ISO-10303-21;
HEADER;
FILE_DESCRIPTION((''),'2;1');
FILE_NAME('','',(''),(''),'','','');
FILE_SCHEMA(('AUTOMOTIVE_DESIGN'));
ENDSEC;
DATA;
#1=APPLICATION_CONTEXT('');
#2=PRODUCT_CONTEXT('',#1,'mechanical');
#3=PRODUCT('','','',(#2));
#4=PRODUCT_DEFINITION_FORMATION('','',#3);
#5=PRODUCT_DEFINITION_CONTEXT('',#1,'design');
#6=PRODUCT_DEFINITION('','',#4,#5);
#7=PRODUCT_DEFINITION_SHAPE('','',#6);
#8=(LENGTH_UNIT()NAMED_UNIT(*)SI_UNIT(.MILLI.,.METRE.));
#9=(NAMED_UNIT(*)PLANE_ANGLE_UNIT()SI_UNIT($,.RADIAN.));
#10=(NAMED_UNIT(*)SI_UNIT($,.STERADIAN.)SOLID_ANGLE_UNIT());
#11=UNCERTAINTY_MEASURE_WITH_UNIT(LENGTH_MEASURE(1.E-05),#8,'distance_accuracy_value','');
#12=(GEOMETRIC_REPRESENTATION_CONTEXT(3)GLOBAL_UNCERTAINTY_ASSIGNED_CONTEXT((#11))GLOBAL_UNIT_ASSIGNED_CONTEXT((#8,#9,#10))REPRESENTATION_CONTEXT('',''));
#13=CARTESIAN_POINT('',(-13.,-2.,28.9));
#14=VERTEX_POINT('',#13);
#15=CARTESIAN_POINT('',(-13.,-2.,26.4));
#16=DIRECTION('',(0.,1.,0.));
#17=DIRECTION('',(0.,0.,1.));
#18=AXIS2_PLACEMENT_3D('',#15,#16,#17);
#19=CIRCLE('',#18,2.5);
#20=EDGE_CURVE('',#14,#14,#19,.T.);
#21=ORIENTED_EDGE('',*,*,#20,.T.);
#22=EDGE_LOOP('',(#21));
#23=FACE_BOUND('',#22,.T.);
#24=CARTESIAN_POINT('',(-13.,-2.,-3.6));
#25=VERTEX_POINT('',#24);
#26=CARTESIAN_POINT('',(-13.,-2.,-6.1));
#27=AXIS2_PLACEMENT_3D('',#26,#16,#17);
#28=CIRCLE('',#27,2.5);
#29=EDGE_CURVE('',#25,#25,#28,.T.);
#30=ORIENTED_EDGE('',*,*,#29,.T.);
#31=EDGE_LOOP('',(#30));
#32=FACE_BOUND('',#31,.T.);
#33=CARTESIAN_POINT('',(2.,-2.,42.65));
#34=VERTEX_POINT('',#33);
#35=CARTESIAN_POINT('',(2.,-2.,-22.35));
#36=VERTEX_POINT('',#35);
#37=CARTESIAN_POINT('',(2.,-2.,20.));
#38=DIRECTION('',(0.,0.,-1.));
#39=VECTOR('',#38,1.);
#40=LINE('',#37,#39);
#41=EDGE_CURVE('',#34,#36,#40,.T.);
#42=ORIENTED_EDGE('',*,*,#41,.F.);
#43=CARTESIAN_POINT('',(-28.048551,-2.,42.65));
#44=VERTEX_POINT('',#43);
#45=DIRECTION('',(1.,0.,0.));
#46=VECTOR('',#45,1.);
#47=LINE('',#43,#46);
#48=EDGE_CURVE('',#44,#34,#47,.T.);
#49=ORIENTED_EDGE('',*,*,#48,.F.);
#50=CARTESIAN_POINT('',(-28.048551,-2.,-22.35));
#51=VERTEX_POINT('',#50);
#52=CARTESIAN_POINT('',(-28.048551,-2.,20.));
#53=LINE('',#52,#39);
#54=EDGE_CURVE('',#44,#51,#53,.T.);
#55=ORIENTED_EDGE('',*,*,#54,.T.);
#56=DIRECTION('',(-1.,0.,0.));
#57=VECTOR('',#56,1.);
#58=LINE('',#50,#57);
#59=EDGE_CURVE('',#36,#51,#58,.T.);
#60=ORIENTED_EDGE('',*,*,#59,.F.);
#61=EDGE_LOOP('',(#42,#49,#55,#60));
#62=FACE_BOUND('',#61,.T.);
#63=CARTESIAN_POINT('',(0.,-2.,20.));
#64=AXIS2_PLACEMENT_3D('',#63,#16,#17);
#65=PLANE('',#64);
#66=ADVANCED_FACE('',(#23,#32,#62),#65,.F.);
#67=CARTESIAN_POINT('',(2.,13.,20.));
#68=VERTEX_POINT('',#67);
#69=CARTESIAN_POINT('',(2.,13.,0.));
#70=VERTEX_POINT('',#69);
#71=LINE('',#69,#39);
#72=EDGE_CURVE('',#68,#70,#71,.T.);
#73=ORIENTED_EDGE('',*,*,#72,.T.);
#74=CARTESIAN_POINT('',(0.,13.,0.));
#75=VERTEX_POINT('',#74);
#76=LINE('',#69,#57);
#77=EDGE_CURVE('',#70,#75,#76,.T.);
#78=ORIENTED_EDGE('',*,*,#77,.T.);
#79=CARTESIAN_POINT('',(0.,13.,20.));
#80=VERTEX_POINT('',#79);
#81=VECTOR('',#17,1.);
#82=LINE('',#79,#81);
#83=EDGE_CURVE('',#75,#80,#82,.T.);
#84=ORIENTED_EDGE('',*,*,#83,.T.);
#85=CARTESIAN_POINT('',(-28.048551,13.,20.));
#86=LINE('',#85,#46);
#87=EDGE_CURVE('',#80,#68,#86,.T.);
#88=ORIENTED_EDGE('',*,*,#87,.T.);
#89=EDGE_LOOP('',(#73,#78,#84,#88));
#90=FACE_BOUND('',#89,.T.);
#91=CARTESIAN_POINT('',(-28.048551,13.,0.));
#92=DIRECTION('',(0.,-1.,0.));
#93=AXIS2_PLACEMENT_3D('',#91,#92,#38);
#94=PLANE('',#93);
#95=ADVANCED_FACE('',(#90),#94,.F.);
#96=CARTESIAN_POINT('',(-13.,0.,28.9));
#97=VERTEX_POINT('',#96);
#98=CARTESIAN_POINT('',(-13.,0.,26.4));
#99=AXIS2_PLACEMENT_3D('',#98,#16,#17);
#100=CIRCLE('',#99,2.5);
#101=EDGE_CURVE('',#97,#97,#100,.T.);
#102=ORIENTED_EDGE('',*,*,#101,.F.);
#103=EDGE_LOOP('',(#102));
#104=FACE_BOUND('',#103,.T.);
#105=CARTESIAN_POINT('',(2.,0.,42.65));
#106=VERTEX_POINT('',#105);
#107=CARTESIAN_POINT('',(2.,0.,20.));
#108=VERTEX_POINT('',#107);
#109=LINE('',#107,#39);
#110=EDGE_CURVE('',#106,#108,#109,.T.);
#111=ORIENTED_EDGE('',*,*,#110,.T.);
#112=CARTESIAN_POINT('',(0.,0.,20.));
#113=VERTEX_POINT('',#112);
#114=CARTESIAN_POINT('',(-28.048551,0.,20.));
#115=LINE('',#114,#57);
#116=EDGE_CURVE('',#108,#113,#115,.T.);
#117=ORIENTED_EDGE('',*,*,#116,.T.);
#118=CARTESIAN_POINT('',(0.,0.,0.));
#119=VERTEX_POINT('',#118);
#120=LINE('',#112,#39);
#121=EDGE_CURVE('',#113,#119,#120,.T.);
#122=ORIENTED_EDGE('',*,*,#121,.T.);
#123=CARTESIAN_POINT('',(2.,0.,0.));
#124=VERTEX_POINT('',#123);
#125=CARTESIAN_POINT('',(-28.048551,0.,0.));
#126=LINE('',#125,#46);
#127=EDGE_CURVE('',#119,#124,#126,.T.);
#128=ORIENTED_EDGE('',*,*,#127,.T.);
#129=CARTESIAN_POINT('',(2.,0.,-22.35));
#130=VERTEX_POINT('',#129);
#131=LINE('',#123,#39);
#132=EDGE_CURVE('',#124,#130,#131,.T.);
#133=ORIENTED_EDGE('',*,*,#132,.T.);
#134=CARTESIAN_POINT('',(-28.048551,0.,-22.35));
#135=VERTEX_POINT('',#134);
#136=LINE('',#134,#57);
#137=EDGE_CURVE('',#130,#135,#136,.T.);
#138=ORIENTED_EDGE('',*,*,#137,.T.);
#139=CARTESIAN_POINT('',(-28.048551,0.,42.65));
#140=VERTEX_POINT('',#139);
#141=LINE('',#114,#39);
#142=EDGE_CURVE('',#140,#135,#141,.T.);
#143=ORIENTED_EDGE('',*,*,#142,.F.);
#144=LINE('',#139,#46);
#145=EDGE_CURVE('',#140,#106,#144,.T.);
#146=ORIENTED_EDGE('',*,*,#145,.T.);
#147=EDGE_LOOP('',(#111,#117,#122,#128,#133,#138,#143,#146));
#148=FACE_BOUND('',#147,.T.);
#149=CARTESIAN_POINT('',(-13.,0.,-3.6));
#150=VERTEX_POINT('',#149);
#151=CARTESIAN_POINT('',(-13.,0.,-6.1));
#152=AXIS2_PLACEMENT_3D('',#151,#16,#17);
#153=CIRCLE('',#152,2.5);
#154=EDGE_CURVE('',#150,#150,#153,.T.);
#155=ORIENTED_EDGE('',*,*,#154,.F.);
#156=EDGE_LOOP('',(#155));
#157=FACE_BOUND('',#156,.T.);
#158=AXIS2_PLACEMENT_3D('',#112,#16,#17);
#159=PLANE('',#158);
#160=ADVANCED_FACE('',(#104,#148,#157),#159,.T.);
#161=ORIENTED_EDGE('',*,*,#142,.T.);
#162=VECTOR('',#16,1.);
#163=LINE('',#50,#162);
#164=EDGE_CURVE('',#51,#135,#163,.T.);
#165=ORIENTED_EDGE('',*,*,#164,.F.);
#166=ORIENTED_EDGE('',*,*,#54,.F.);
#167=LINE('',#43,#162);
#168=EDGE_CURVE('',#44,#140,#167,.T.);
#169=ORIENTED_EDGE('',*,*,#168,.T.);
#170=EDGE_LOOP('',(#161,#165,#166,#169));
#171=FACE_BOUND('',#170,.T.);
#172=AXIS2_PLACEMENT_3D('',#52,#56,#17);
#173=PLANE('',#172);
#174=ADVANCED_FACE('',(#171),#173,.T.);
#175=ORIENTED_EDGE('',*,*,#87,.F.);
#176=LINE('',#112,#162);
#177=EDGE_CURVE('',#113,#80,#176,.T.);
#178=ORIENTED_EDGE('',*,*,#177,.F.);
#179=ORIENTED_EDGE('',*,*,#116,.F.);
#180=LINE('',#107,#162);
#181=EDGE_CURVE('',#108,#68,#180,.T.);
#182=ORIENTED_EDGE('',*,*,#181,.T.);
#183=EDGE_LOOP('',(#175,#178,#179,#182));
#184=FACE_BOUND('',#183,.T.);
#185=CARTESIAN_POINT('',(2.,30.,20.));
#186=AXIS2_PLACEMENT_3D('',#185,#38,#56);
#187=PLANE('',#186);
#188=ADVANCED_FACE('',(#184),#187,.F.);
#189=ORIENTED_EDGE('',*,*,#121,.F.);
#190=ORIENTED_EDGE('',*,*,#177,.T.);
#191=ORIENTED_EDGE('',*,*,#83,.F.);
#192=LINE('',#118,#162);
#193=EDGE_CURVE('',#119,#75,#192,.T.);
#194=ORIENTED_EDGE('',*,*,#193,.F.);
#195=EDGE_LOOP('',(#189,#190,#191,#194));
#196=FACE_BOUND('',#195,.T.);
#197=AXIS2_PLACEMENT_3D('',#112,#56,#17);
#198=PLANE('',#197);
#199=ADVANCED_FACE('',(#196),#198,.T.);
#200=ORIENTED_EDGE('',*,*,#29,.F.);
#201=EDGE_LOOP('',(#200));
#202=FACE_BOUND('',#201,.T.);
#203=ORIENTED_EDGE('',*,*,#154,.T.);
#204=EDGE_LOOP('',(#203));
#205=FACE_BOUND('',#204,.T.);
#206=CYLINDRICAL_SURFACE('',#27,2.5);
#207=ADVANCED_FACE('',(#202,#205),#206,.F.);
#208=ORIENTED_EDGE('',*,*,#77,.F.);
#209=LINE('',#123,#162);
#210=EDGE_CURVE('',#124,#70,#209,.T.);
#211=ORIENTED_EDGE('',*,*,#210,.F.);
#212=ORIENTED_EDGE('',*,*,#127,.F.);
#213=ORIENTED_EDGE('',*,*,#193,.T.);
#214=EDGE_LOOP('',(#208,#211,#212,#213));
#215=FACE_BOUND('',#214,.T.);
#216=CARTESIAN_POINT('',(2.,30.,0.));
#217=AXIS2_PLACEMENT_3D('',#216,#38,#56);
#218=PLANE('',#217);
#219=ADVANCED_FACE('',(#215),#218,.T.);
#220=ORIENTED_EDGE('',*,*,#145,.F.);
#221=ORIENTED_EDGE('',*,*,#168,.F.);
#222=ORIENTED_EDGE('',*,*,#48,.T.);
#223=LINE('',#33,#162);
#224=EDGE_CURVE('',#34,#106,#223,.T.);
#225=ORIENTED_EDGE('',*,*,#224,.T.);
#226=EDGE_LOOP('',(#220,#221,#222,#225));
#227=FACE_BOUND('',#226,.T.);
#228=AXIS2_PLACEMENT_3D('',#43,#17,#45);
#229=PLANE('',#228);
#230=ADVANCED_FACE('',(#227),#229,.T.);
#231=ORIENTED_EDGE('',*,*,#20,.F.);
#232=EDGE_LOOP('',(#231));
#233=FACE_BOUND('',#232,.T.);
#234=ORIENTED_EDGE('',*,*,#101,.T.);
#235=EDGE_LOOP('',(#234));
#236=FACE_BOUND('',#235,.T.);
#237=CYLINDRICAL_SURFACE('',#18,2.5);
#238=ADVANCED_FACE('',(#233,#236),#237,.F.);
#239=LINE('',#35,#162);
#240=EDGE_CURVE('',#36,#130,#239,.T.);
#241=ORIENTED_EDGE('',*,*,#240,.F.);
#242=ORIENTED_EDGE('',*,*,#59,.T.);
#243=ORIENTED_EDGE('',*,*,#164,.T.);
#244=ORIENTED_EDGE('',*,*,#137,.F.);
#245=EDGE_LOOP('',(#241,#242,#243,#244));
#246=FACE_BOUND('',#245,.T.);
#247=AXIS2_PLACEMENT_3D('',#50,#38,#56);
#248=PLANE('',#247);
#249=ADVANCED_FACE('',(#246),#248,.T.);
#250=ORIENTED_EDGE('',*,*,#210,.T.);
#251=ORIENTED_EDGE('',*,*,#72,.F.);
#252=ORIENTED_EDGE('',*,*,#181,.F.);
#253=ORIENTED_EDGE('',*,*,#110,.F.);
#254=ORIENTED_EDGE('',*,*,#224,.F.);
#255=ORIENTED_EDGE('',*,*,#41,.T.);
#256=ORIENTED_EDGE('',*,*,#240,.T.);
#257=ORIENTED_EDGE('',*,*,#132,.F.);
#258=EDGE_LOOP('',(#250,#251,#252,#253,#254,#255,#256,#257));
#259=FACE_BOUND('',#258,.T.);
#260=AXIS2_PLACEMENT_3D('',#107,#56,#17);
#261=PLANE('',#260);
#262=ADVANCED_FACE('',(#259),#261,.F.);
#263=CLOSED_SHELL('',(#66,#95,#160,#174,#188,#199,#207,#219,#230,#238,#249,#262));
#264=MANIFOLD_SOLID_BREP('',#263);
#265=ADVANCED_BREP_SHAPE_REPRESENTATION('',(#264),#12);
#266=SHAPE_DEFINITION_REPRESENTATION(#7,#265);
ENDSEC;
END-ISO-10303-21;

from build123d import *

# Parameters (mm, degrees)
EXTRUDE_1_DEPTH     = 20
SKETCH_4_W          = 20
SKETCH_4_H          = 16.999999963
CUT_EXTRUDE_1_DEPTH = 47.935226042
SKETCH_6_W          = 30.048551437
SKETCH_6_H          = 22.650000031
EXTRUDE_1_2_DEPTH   = 2
SKETCH_7_R          = 2.5
CUT_EXTRUDE_2_DEPTH = 53.675836409


with BuildPart() as part:
    # Эскиз1 → Extrude 1 (new body)
    with BuildSketch(Plane.XY):
        Polygon((0, 30), (0, 0), (-28.048551439, 0), (-28.048551439, -2), (2, -2), (2, 30), align=None)
    extrude(amount=EXTRUDE_1_DEPTH)

    # Эскиз4 → Вырез-Вытянуть1 (cut, through all)
    with BuildSketch(Plane(origin=(2, 0, 0), x_dir=(0, 0, -1), z_dir=(1, 0, 0))):
        with Locations((-10, 21.500000019)):
            Rectangle(SKETCH_4_W, SKETCH_4_H)
    extrude(amount=-CUT_EXTRUDE_1_DEPTH, mode=Mode.SUBTRACT)

    # Эскиз6 → Extrude 1 2 (add)
    with BuildSketch(Plane(origin=(0, 0, 0), x_dir=(1, 0, 0), z_dir=(0, 1, 0))):
        Polygon((-28.048551439, 0), (1.999999998, 0), (2.000000002, 22.349999969), (-28.048551439, 22.349999969), align=None)
        with Locations((-13.024275721, -31.325000016)):
            Rectangle(SKETCH_6_W, SKETCH_6_H)
    extrude(amount=-EXTRUDE_1_2_DEPTH)

    # Эскиз7 → Вырез-Вытянуть2 (cut, through all)
    with BuildSketch(Plane(origin=(0, 0, 0), x_dir=(1, 0, 0), z_dir=(0, 1, 0))):
        with Locations(Location((-12.999999999, 6.09999997, 0), (0, 0, 270))):
            Circle(SKETCH_7_R)
        with Locations(Location((-13.000000001, -26.40000003, 0), (0, 0, 270))):
            Circle(SKETCH_7_R)
    extrude(amount=-CUT_EXTRUDE_2_DEPTH, mode=Mode.SUBTRACT)


solid = part.part
